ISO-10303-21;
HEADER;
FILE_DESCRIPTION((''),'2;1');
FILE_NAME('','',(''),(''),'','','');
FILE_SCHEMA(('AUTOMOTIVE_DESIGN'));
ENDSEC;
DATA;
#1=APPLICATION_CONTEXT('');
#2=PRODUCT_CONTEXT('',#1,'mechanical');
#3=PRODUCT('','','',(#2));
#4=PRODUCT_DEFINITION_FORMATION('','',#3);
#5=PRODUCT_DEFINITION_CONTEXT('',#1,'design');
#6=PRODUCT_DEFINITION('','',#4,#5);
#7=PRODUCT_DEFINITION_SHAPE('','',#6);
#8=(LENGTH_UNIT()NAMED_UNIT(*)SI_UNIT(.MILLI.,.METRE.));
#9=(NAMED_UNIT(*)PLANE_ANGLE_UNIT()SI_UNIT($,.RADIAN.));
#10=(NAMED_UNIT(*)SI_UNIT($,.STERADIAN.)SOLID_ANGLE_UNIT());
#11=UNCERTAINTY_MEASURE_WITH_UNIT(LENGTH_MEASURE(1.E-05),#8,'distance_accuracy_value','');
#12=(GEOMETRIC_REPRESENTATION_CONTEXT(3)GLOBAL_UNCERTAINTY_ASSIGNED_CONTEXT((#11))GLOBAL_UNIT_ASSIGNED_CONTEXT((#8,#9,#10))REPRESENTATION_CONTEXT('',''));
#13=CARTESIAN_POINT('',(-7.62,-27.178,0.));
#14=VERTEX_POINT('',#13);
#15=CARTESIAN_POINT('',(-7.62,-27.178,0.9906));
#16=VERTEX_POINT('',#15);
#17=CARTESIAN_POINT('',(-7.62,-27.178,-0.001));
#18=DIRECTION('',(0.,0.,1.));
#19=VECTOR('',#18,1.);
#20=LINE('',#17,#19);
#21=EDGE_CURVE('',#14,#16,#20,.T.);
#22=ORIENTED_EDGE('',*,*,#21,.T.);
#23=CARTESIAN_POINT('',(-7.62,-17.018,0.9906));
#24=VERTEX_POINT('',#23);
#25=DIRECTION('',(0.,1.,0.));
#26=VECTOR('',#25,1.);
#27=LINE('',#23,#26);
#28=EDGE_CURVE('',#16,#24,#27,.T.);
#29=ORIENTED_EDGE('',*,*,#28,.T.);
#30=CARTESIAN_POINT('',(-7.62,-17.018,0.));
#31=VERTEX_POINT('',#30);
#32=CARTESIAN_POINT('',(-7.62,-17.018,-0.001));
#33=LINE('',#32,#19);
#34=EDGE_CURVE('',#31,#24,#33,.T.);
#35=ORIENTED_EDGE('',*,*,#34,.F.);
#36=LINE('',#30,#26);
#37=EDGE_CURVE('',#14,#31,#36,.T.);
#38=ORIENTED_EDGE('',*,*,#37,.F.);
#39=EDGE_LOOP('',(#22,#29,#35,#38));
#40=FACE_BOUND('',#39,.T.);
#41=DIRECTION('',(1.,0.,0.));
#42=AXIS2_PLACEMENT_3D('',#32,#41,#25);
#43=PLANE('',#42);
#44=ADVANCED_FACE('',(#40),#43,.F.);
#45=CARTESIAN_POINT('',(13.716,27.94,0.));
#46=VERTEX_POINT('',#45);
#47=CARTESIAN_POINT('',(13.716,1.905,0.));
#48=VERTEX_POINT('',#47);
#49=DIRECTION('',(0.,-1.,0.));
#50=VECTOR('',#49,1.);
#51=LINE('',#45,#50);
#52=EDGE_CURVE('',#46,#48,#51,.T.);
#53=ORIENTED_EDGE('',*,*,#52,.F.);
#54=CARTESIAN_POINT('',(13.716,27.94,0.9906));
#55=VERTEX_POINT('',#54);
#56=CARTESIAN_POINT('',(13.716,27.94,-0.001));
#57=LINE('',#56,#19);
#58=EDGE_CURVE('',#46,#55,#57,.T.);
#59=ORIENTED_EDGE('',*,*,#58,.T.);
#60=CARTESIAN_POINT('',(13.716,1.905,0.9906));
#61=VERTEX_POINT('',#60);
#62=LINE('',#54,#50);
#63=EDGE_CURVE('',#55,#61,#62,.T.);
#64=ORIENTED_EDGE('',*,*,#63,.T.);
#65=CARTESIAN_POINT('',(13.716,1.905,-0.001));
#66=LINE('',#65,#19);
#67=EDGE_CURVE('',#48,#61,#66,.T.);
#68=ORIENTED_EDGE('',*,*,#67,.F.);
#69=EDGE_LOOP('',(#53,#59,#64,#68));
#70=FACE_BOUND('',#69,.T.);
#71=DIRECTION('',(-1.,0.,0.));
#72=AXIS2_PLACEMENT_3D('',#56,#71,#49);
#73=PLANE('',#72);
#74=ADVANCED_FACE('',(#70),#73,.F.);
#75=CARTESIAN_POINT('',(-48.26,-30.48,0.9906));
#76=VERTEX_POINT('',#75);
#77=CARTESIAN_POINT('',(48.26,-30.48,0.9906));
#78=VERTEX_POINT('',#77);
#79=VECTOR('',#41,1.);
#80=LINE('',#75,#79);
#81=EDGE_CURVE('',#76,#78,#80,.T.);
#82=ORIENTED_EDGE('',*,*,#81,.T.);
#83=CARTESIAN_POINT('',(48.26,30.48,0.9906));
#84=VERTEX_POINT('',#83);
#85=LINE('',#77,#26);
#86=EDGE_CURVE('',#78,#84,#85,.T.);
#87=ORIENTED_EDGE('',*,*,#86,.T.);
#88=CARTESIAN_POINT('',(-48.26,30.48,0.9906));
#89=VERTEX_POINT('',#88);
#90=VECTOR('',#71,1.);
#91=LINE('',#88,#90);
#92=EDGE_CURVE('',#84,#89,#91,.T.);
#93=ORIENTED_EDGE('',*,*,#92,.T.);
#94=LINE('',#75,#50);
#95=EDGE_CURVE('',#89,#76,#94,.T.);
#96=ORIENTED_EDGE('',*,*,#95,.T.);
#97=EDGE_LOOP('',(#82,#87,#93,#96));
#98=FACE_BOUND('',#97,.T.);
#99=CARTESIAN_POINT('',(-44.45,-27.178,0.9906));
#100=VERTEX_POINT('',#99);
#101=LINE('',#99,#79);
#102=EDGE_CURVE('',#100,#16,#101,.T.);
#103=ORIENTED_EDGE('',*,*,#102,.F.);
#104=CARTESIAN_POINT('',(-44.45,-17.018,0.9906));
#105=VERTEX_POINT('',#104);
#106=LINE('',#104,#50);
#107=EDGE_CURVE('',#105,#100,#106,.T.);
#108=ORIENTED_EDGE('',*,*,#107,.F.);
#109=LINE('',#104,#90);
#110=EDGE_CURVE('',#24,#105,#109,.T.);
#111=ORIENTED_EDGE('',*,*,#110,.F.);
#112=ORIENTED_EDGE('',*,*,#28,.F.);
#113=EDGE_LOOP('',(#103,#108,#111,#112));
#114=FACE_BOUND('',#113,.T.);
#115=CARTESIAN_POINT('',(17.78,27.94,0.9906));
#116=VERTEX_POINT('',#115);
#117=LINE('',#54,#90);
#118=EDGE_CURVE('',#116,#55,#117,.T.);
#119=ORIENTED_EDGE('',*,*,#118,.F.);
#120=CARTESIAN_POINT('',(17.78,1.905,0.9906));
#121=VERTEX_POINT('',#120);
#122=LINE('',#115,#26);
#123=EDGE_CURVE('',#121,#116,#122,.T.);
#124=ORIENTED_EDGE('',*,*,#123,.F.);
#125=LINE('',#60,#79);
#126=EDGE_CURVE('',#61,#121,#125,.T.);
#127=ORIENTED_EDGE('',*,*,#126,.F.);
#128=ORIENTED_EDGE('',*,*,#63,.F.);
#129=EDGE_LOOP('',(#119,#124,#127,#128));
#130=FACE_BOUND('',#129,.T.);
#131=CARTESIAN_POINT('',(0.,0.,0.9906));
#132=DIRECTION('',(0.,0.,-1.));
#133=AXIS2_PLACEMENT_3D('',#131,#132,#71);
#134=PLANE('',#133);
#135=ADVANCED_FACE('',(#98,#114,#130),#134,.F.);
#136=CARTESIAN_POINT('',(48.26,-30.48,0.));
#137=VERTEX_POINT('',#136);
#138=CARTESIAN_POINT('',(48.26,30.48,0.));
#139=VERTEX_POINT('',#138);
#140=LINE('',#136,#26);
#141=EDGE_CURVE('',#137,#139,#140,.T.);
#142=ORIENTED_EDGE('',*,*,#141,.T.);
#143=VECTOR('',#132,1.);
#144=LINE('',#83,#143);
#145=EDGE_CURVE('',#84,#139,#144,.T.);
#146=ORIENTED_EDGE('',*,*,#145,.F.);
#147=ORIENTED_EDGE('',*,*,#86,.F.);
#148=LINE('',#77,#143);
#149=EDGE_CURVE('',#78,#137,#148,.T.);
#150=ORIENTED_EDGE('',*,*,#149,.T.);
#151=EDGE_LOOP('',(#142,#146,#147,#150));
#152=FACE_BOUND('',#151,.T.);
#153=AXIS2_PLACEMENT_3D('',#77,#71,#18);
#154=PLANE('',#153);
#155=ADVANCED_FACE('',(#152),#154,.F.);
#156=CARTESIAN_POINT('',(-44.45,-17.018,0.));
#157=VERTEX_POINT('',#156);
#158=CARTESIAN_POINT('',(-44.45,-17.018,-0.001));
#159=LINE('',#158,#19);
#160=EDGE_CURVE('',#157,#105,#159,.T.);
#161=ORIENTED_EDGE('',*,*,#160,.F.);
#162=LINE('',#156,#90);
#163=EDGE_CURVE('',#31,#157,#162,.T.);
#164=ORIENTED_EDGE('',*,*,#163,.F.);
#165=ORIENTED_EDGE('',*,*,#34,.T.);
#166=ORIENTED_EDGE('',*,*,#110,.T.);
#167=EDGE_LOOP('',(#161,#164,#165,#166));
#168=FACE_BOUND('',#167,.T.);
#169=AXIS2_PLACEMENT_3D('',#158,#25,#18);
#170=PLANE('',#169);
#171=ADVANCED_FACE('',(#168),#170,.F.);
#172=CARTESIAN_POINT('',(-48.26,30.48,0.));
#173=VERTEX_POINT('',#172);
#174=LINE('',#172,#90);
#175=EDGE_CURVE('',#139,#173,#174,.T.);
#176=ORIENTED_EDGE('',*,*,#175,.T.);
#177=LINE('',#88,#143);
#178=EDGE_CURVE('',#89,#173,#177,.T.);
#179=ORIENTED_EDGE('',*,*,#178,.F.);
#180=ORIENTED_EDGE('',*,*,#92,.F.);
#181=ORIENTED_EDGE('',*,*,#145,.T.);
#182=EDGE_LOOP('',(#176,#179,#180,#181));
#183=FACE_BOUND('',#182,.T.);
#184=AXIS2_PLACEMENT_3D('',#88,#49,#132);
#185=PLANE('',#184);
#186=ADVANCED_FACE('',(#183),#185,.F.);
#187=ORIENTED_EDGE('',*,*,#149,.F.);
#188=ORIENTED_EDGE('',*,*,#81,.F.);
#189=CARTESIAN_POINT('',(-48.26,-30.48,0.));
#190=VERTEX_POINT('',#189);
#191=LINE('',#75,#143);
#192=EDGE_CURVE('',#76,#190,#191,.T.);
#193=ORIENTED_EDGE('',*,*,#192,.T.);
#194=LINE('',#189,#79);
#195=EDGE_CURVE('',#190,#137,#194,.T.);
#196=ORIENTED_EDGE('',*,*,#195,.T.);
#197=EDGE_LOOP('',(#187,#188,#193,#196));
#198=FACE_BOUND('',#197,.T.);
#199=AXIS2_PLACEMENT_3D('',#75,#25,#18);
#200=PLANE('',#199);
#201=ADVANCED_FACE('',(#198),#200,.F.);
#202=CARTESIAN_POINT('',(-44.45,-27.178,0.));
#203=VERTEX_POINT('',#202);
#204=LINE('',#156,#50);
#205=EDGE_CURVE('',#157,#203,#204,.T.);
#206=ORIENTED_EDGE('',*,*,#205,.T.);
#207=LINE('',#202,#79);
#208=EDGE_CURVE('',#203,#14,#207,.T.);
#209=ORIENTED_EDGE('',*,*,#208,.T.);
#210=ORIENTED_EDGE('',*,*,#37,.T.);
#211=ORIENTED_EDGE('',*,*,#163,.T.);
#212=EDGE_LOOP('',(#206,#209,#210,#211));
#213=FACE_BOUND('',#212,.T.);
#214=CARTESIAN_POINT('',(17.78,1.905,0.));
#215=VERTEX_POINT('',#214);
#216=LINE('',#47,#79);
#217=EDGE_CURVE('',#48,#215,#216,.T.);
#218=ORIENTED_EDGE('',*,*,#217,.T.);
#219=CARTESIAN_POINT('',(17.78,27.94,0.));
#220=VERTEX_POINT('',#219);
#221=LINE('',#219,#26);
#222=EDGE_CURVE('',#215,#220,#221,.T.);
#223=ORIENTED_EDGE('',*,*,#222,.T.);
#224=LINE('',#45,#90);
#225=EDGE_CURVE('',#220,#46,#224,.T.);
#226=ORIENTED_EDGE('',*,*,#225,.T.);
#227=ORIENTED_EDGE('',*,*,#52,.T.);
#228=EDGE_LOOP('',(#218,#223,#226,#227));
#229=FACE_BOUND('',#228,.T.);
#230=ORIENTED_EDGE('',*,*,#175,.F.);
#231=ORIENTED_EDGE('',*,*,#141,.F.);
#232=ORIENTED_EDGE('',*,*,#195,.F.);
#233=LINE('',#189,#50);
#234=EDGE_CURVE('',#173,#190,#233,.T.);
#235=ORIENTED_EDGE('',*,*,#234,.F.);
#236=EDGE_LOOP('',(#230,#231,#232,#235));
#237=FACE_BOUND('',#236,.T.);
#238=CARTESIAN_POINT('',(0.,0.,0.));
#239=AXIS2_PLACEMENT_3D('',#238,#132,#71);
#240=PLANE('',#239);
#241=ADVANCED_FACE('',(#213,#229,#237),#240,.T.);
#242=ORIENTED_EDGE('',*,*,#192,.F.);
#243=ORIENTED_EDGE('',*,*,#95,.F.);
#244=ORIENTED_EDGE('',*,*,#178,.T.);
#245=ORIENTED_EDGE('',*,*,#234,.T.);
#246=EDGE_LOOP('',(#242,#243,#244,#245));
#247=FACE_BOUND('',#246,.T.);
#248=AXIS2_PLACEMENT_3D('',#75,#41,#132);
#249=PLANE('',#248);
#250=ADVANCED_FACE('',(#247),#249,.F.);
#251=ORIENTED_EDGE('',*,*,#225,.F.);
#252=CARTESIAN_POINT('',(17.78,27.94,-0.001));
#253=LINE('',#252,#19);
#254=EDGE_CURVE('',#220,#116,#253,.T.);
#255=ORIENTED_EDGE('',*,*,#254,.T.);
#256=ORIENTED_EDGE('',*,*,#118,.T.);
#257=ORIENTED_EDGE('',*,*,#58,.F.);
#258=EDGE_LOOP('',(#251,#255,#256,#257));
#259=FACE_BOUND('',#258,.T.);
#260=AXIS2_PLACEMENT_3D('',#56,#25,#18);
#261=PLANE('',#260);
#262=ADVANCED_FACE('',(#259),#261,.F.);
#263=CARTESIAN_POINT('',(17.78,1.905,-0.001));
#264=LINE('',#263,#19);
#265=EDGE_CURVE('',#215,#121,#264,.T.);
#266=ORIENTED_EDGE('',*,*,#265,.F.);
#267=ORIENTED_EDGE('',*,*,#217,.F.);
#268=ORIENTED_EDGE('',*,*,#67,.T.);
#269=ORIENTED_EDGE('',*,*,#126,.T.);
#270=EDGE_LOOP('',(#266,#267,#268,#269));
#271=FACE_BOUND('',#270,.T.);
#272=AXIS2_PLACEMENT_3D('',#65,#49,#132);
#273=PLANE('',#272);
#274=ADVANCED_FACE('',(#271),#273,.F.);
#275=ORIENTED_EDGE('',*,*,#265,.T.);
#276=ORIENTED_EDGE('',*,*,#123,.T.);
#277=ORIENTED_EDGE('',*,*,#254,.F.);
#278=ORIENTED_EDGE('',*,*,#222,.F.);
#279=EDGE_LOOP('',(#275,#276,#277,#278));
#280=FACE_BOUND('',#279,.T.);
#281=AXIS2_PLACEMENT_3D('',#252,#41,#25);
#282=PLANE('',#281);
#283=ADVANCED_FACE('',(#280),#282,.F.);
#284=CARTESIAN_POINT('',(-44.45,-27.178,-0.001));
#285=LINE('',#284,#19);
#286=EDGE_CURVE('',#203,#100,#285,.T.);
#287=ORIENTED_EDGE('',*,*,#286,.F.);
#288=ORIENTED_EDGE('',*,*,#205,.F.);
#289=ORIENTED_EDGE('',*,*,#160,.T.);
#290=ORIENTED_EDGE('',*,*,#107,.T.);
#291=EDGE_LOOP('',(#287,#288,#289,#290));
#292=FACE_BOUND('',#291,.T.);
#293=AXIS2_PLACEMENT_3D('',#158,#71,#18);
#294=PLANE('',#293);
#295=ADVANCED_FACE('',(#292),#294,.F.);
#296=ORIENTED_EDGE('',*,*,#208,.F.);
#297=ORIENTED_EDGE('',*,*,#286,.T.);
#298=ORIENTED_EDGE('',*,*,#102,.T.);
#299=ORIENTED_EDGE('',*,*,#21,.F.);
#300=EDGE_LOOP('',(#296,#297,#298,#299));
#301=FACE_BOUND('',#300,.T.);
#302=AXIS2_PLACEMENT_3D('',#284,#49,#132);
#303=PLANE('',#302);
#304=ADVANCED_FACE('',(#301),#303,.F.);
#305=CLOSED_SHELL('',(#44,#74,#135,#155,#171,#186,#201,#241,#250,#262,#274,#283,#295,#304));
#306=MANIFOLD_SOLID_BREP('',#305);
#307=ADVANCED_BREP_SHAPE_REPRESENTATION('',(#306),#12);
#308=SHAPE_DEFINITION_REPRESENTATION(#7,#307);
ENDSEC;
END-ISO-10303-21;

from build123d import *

# Parameters (mm, degrees)
SKETCH1_W           = 96.52
SKETCH1_H           = 60.96
BOSS_EXTRUDE1_DEPTH = 0.9906
CUT_EXTRUDE1_REACH  = 2.991
SKETCH2_W           = 36.83
SKETCH2_H           = 10.16
SKETCH2_W_2         = 4.064
SKETCH2_H_2         = 26.035


with BuildPart() as part:
    # Sketch1 → Boss-Extrude1 (new body)
    with BuildSketch(Plane.XY):
        Rectangle(SKETCH1_W, SKETCH1_H)
    extrude(amount=BOSS_EXTRUDE1_DEPTH)

    # Sketch2 → Cut-Extrude1 (cut, up to next)
    with BuildSketch(Plane.XY.offset(0.9906), mode=Mode.PRIVATE) as cut_extrude1_sk1:
        with Locations((-26.035, -22.098)):
            Rectangle(SKETCH2_W, SKETCH2_H)
    cut_extrude1_tool1 = extrude(cut_extrude1_sk1.sketch, amount=-CUT_EXTRUDE1_REACH, mode=Mode.PRIVATE) & part.part
    add(cut_extrude1_tool1.solids().sort_by_distance((-26.035, -22.098, 0.9906))[0], mode=Mode.SUBTRACT)
    # Sketch2 → Cut-Extrude1 (cut, up to next)
    with BuildSketch(Plane.XY.offset(0.9906), mode=Mode.PRIVATE) as cut_extrude1_sk2:
        with Locations((15.748, 14.9225)):
            Rectangle(SKETCH2_W_2, SKETCH2_H_2)
    cut_extrude1_tool2 = extrude(cut_extrude1_sk2.sketch, amount=-CUT_EXTRUDE1_REACH, mode=Mode.PRIVATE) & part.part
    add(cut_extrude1_tool2.solids().sort_by_distance((15.748, 14.9225, 0.9906))[0], mode=Mode.SUBTRACT)


solid = part.part
